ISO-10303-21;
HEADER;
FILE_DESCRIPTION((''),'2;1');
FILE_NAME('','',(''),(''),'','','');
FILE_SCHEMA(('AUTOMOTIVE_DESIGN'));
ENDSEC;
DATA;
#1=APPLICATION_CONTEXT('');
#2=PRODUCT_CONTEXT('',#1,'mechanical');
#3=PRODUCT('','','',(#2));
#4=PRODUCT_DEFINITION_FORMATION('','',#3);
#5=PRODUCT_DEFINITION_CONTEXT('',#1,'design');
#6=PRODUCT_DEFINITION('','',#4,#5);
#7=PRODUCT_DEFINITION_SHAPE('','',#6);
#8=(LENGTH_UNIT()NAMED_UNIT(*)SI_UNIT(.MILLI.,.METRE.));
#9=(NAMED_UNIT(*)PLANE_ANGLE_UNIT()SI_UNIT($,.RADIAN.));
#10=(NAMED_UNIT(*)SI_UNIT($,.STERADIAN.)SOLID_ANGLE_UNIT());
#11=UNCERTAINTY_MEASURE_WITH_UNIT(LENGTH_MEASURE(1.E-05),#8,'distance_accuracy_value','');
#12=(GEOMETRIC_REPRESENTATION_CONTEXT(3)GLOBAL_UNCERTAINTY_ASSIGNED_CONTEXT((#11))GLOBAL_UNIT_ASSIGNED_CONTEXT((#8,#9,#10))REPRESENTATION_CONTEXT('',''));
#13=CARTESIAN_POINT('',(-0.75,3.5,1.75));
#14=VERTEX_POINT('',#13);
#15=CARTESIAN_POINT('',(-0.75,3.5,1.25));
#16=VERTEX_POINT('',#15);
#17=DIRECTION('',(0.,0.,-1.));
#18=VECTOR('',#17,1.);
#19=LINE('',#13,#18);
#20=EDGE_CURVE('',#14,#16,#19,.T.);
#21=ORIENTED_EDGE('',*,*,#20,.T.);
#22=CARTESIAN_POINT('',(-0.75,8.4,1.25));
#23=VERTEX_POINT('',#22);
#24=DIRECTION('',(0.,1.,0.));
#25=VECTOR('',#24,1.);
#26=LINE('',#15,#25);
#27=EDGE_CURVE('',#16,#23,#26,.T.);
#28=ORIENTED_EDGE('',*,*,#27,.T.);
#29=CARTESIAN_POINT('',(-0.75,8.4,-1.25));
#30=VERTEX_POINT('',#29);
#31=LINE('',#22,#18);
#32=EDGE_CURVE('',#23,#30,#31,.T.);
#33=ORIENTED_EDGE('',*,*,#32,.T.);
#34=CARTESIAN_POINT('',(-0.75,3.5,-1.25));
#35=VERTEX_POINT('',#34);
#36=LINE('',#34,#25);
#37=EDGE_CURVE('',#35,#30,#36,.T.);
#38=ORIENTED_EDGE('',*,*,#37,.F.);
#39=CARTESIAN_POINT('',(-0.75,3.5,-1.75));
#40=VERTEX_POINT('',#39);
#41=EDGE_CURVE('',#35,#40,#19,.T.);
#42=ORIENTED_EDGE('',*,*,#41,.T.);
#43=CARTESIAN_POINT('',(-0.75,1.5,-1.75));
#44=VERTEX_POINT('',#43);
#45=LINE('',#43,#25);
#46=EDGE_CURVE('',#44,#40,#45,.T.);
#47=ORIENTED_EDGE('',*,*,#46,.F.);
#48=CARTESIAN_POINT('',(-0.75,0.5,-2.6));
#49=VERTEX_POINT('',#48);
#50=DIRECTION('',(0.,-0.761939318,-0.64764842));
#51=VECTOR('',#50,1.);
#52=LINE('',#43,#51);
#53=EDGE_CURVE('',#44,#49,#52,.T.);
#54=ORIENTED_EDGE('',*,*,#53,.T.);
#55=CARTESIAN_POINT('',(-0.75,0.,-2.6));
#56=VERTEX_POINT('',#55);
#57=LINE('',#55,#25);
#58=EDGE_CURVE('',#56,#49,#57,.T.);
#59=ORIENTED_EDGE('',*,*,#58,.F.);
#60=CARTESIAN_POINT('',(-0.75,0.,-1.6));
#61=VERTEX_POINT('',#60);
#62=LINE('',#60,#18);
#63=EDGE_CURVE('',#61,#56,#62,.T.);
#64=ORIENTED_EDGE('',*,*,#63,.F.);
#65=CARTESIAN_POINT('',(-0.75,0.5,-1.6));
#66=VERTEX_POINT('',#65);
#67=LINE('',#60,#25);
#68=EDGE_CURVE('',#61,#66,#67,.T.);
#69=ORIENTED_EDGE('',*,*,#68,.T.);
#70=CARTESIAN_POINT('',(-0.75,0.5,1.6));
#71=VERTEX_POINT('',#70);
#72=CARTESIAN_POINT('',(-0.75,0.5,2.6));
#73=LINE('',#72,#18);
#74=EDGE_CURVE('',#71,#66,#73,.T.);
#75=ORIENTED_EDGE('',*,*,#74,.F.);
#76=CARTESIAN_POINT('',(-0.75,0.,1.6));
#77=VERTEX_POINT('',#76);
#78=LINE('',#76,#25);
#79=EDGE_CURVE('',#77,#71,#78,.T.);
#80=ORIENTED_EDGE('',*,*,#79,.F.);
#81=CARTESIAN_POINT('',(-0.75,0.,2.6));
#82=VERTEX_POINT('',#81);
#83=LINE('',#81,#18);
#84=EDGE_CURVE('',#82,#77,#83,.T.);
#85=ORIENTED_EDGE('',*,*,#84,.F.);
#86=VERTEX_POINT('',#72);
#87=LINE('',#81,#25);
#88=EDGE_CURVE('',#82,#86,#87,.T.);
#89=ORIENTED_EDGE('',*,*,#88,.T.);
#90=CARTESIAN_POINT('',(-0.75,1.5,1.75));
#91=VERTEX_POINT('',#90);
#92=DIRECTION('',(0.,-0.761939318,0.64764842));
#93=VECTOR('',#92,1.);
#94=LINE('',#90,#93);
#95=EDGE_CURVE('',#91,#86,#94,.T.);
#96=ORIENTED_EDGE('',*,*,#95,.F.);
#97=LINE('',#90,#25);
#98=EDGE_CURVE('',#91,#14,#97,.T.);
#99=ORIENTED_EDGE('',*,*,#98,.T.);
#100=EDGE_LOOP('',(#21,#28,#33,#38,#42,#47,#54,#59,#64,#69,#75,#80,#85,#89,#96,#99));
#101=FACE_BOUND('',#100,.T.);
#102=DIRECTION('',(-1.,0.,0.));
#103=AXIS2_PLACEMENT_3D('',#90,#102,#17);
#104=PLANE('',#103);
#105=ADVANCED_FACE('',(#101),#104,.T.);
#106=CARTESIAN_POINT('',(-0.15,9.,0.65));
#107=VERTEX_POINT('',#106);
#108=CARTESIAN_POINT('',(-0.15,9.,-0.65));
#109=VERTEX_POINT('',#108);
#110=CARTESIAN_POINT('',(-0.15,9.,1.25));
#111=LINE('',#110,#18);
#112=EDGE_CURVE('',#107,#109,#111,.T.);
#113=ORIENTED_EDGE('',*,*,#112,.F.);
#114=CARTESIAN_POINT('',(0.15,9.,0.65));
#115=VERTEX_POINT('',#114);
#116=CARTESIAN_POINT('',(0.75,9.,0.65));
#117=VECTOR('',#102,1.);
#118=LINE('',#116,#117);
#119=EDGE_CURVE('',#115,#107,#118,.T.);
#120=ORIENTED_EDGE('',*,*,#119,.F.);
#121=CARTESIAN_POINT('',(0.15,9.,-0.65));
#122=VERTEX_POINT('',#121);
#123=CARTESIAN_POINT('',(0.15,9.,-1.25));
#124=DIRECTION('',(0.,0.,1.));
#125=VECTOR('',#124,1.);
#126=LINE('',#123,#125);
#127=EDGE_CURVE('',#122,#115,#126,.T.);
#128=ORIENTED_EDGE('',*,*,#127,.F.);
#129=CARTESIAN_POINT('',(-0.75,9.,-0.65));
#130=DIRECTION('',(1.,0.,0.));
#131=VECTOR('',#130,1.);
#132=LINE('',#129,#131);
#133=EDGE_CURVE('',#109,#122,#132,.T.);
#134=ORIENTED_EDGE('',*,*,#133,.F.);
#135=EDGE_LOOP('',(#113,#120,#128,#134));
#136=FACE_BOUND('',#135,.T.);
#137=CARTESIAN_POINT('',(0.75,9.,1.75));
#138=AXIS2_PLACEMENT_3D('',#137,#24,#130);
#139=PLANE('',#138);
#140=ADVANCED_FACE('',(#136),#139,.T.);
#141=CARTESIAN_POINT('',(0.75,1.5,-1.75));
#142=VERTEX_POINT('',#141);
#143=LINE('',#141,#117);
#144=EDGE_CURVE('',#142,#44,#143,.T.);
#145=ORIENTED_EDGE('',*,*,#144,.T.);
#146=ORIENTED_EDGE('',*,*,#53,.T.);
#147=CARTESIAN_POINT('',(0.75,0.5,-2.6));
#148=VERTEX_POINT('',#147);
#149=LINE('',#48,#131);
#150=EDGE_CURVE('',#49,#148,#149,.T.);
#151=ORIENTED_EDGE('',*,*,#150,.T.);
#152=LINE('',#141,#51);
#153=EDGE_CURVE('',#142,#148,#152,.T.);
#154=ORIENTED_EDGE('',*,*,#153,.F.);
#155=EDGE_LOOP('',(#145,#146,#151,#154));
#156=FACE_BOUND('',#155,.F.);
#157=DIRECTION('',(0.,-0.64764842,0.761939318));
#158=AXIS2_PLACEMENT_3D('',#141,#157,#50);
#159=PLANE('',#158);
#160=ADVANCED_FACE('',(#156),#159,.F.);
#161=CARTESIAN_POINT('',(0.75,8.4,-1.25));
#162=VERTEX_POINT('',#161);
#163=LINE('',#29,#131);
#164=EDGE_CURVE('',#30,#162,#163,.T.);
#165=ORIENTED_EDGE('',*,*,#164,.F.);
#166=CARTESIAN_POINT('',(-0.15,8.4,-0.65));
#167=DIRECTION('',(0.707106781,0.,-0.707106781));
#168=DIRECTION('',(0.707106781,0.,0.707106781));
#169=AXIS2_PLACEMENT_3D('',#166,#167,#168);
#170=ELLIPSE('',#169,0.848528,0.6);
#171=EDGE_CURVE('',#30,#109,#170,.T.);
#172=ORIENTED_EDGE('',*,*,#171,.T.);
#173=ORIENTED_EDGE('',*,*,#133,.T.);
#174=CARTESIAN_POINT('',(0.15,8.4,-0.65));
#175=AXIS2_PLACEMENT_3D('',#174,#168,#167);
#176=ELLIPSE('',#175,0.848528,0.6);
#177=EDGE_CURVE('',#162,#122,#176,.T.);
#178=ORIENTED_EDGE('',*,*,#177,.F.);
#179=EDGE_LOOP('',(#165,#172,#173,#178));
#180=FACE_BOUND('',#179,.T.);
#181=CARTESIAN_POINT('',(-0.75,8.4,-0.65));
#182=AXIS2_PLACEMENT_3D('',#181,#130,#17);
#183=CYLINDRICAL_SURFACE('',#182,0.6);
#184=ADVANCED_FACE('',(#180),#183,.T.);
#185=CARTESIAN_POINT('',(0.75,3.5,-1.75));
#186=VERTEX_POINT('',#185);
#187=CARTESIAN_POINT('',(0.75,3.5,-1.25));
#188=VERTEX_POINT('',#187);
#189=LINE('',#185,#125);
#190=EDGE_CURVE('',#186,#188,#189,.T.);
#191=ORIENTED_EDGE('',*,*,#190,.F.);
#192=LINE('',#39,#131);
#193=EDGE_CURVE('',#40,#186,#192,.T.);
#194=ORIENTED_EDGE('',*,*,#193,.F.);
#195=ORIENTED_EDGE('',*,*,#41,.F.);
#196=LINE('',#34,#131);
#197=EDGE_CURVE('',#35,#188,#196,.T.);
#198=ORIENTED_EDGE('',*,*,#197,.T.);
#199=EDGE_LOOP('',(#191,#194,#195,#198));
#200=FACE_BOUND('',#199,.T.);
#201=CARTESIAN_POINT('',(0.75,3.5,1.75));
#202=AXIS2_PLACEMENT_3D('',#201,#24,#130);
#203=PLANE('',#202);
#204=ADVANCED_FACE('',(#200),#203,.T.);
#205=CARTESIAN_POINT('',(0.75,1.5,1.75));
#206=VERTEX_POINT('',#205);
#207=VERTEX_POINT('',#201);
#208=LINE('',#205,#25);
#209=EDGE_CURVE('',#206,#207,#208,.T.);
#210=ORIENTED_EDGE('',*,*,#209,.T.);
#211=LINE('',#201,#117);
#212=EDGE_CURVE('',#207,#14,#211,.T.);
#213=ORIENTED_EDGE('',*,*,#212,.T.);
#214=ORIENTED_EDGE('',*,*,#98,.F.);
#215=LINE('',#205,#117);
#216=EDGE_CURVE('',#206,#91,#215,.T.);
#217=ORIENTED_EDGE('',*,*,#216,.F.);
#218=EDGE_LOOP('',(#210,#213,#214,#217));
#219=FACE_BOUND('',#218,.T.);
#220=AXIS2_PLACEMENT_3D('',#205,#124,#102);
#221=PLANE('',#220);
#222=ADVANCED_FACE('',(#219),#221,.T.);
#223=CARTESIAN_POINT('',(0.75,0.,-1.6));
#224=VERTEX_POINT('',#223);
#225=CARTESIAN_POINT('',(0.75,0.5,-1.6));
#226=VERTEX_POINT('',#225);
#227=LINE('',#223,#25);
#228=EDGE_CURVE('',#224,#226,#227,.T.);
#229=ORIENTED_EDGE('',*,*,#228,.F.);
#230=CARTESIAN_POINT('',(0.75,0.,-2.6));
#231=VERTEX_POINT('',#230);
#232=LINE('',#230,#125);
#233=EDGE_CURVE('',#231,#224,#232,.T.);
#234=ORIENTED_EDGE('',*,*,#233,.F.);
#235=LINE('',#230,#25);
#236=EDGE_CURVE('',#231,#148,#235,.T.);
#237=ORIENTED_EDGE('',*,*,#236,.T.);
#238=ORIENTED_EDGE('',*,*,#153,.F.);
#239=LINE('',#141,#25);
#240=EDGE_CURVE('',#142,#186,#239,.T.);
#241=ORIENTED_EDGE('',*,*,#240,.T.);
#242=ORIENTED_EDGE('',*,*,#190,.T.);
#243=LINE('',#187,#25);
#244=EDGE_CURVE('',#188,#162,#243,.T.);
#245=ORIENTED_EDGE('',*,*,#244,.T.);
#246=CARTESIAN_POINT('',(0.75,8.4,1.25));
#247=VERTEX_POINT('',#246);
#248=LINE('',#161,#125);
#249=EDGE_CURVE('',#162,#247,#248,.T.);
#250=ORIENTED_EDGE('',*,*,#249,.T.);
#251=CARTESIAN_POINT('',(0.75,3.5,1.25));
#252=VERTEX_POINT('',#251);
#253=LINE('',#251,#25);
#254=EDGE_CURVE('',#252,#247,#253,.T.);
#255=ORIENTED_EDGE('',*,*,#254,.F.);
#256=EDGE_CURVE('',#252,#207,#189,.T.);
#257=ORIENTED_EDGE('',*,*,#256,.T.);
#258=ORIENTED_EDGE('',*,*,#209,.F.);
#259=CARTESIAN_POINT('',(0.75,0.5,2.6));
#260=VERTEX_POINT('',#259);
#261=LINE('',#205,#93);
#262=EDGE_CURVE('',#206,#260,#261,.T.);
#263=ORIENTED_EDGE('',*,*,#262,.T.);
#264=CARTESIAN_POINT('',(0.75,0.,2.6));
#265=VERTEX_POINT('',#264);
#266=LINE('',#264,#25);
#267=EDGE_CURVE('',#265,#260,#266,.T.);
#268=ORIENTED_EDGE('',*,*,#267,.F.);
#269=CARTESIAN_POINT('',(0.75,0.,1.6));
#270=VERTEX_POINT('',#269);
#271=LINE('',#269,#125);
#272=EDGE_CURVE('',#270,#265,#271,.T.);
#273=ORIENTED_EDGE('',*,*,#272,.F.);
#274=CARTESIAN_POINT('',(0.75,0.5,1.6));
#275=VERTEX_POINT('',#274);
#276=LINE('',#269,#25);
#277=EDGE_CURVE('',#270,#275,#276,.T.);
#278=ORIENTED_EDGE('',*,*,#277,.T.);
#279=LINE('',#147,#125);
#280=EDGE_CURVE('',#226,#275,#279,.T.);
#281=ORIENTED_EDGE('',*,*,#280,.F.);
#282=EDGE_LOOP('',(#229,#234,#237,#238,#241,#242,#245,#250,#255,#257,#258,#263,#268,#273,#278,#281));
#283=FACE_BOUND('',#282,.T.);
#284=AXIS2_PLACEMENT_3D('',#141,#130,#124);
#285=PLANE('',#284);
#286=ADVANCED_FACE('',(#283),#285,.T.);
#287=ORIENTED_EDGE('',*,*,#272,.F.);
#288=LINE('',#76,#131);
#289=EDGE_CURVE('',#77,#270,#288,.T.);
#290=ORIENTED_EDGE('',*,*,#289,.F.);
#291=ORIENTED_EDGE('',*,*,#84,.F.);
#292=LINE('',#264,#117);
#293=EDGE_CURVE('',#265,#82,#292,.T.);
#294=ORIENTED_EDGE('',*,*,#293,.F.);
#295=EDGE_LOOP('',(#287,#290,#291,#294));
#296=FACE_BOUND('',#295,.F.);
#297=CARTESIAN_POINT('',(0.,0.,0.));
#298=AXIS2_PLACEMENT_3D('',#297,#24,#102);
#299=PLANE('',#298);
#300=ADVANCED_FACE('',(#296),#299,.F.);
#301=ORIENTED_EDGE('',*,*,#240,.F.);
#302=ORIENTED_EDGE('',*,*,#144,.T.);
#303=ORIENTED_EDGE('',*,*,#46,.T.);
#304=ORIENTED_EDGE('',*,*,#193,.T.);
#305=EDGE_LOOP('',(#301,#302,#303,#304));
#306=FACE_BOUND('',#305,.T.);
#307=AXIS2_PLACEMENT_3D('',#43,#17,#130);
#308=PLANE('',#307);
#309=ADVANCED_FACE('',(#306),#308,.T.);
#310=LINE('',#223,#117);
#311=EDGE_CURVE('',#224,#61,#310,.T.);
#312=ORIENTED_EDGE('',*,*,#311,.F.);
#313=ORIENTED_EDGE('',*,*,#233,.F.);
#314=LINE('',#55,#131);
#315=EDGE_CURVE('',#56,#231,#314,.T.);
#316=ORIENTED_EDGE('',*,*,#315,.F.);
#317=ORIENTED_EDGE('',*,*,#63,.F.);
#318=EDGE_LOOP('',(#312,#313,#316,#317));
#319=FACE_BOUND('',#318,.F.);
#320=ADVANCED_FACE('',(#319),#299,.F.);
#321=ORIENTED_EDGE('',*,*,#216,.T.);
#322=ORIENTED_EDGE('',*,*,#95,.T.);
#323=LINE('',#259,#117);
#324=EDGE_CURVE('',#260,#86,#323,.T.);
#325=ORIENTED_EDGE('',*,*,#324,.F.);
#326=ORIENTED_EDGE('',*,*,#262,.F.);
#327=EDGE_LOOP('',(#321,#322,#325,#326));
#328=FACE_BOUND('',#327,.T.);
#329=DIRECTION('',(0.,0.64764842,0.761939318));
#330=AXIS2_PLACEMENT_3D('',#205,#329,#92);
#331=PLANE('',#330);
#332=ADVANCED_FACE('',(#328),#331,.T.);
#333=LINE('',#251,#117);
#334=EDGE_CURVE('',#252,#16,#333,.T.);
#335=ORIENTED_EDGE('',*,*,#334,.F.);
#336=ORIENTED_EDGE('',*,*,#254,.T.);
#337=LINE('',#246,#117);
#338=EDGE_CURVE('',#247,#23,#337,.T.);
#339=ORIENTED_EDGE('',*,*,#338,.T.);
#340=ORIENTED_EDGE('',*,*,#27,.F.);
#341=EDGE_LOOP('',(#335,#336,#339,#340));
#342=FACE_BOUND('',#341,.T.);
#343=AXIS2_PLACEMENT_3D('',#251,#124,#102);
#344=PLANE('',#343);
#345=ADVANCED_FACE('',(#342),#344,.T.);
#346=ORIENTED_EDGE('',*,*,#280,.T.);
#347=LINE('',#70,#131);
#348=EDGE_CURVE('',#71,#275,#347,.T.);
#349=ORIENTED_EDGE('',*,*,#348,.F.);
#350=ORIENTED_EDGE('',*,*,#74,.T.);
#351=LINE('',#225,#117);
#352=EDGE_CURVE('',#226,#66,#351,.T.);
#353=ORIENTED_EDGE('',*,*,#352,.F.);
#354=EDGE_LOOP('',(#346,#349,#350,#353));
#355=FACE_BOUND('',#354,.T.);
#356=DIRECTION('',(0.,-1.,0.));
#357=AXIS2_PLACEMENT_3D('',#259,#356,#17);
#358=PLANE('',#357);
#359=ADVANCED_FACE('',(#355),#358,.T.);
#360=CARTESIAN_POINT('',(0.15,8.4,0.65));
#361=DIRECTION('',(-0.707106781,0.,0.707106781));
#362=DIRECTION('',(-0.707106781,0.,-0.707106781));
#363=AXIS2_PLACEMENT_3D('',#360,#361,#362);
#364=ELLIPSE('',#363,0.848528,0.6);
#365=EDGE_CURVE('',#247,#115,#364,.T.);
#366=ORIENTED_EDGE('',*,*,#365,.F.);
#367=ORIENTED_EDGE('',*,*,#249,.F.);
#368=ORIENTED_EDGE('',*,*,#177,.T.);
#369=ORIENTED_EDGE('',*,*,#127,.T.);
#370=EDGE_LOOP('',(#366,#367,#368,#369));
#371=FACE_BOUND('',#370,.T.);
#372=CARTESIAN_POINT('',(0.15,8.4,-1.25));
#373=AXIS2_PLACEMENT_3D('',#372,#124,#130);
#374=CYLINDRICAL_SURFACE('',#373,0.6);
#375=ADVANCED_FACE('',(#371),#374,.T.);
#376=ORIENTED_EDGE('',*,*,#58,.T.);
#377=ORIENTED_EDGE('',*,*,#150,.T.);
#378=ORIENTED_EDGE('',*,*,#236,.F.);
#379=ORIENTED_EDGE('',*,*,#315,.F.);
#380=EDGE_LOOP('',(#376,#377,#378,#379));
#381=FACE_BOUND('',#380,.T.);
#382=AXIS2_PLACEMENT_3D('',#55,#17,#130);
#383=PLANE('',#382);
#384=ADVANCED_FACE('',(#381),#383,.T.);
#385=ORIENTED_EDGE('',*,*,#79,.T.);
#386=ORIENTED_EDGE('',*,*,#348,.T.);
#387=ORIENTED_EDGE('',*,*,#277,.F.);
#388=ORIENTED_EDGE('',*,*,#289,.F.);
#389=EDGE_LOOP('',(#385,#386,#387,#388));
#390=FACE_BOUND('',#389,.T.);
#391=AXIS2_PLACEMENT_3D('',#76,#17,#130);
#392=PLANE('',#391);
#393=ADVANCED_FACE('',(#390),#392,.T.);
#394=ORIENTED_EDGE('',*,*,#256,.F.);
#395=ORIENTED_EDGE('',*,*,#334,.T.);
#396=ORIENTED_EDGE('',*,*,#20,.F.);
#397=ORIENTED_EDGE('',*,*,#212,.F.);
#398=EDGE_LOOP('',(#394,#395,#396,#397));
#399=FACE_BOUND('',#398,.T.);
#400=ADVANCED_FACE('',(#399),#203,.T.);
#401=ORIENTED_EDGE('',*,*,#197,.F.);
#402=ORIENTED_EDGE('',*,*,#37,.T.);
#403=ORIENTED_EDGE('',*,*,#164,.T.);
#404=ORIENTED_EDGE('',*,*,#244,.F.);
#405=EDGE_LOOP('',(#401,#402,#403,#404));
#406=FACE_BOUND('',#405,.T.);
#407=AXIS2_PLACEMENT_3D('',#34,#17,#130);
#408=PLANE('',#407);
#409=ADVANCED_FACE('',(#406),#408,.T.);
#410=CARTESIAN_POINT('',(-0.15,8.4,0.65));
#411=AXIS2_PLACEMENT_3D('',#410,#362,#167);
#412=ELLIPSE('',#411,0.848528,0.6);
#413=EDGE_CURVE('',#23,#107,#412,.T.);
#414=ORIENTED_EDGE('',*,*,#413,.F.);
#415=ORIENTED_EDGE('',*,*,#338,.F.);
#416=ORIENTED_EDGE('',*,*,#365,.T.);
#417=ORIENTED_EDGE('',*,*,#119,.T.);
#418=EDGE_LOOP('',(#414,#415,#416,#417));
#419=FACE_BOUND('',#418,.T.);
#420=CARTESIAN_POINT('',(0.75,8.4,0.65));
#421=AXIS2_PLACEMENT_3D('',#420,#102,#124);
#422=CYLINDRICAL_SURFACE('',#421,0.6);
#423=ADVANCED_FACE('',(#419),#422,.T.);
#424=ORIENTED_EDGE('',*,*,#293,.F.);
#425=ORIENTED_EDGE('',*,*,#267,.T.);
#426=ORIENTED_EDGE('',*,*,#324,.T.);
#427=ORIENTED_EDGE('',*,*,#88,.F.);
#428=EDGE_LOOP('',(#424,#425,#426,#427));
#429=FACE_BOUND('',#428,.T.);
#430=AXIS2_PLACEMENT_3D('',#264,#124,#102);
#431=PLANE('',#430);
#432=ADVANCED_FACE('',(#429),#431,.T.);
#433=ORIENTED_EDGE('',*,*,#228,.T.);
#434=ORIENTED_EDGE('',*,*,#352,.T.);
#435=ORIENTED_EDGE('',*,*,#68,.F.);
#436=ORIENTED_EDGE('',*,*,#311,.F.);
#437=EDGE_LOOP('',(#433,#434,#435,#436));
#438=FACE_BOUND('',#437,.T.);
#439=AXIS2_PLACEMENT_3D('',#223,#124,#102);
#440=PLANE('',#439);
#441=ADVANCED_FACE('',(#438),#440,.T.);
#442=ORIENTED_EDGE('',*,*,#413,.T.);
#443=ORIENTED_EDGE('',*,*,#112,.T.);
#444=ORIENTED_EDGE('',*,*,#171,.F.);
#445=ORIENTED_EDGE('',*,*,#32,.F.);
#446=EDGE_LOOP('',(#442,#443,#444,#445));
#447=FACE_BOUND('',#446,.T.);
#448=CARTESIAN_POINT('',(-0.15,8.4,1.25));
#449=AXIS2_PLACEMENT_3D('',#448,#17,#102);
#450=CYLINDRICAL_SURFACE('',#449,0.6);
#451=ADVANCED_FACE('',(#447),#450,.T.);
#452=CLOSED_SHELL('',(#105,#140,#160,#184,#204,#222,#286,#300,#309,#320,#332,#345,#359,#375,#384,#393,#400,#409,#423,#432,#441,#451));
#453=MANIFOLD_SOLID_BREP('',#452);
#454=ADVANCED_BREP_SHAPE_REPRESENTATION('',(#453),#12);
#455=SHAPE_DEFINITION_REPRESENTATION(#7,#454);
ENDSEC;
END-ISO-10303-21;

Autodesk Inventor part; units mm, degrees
ref_plane "YZ Plane" through (0, 0, 0) normal (1, 0, 0) x (0, 1, 0)
ref_plane "XZ Plane" through (0, 0, 0) normal (0, 1, 0) x (-1, 0, 0)
ref_plane "XY Plane" through (0, 0, 0) normal (0, 0, 1) x (1, 0, 0)
sketch "Sketch1" plane through (0, 0, 0) normal (0, 1, 0) x (-1, 0, 0)
  line L0 (-0.75, -1.6) -> (0.75, -1.6)
  line L1 (0.75, -1.6) -> (0.75, 1.6)
  line L2 (0.75, 1.6) -> (-0.75, 1.6)
  line L3 (-0.75, 1.6) -> (-0.75, -1.6)
  line L4 (-0.75, -1.6) -> (0.75, 1.6) construction
  line L5 (0.75, -1.6) -> (-0.75, 1.6) construction
  line L6 (0.75, 1.6) -> (-0.75, 1.6)
  line L7 (-0.75, 1.6) -> (-0.75, 2.6)
  line L8 (-0.75, 2.6) -> (0.75, 2.6)
  line L9 (0.75, 2.6) -> (0.75, 1.6)
  line L10 (-0.75, -1.6) -> (0.75, -1.6)
  line L11 (0.75, -1.6) -> (0.75, -2.6)
  line L12 (0.75, -2.6) -> (-0.75, -2.6)
  line L13 (-0.75, -2.6) -> (-0.75, -1.6)
  point P0 (0, 0)
  point P1 (0.75, -1.6)
  dimension "d0" = 3.2
  dimension "d1" = 1.5
  dimension "d2" = 1
  dimension "d3" = 1
extrude "Extrusion1" add sketch "Sketch1" along normal blind 0.5 contours L0 L11 L12 L13 | L7 L8 L9 L2
sketch "Sketch2" plane through (0.75, 0, 2.6) normal (1, 0, 0) x (0, 0, -1)
  line L0 (0, 0.5) -> (1, 0.5) projected
  line L1 (0.85, 0.5) -> (4.35, 0.5)
  line L2 (4.35, 0.5) -> (4.35, 1.5)
  line L3 (4.35, 1.5) -> (0.85, 1.5)
  line L4 (0.85, 1.5) -> (0.85, 0.5)
  line L5 (0.85, 1.5) -> (0, 0.5)
  line L6 (5.2, 0) -> (5.2, 0.5) projected
  line L7 (4.35, 1.5) -> (5.2, 0.5)
  line L8 (0, 0) -> (1, 0) construction
  line L9 (0, 0) -> (5.2, 0) construction
  line L10 (2.6, 0) -> (2.6, 2.5684) construction
  line L11 (0, 0.5) -> (5.2, 0.5)
  point P0 (2.6, 0.5)
  dimension "d10" = 3.5
  dimension "d19" = 1
extrude "Extrusion3" add sketch "Sketch2" against normal blind 1.5
sketch "Sketch5" plane through (0.75, 1.5, 1.75) normal (0, 1, 0) x (1, 0, 0)
  line L0 (-1.5, 0) -> (-1.5, 3.5) projected
  line L1 (0, 3.5) -> (0, 0) projected
  line L2 (-1.5, 3.5) -> (0, 3.5)
  line L3 (0, 3.5) -> (0, 0)
  line L4 (0, 0) -> (-1.5, 0)
  line L5 (-1.5, 0) -> (-1.5, 3.5)
  point P0 (-0.75, 1.75)
  point P1 (0, 3.5)
  point P2 (-1.5, 0)
extrude "Extrusion5" add sketch "Sketch5" along normal blind 2
sketch "Sketch6" plane through (0.75, 3.5, 1.75) normal (0, 1, 0) x (1, 0, 0)
  line L0 (-1.5, 3) -> (0, 3)
  line L1 (0, 3) -> (0, 0.5)
  line L2 (0, 0.5) -> (-1.5, 0.5)
  line L3 (-1.5, 0.5) -> (-1.5, 3)
  line L4 (0, 0) -> (0, 3.5) construction
  line L5 (0, 0) -> (0, 0.5) construction
  line L6 (-0.75, 3) -> (-0.75, 3.5) construction
  line L7 (0, 3.5) -> (-1.5, 3.5) construction
  line L8 (-0.75, 0.5) -> (-0.75, 0) construction
  point P0 (-0.75, 1.75)
  point P1 (-1.5, 1.75)
  point P2 (0, 1.75)
  dimension "d20" = 2.5
extrude "Extrusion6" add sketch "Sketch6" along normal blind 5.5
fillet "Fillet1" radius 0.6 4 edges at (0, 9, -1.25) (-0.75, 9, 0) (0, 9, 1.25) (0.75, 9, 0)
sketch "Sketch7" plane through (0, 0, 0) normal (0, -1, 0) x (1, 0, 0)
  line L0 (-0.75, 2.6) -> (0.75, 2.6) projected
  line L1 (-0.75, -2.6) -> (0.75, -2.6)
  line L2 (0.75, -2.6) -> (0.75, 2.6)
  line L3 (0.75, 2.6) -> (-0.75, 2.6)
  line L4 (-0.75, 2.6) -> (-0.75, -2.6)
  line L5 (-0.75, -2.6) -> (0.75, 2.6) construction
  line L6 (0.75, -2.6) -> (-0.75, 2.6) construction
  point P0 (0, 0)
sketch "Sketch8" plane through (0.75, 0.5, -2.6) normal (0, -1, 0) x (1, 0, 0)
  line L0 (-1.5, 5.2) -> (0, 5.2) projected
  line L1 (0, 4.35) -> (-1.5, 4.35) projected
  line L2 (0, 5.2) -> (-1.5, 5.2)
  line L3 (-1.5, 5.2) -> (-1.5, 4.35)
  line L4 (-1.5, 4.35) -> (0, 4.35)
  line L5 (0, 4.35) -> (0, 5.2)
  line L6 (0, 0) -> (-1.5, 0) projected
  line L7 (0, 0.85) -> (-1.5, 0.85) projected
  line L8 (0, 0) -> (-1.5, 0)
  line L9 (-1.5, 0) -> (-1.5, 0.85)
  line L10 (-1.5, 0.85) -> (0, 0.85)
  line L11 (0, 0.85) -> (0, 0)
  point P0 (-0.75, 2.6)
  point P1 (0, 0.85)
sketch "Sketch4" plane through (0.75, 1.5, 1.75) normal (0, 1, 0) x (1, 0, 0)
  line L0 (-1.5, 3) -> (0, 3)
  line L1 (0, 3) -> (0, 0.5)
  line L2 (0, 0.5) -> (-1.5, 0.5)
  line L3 (-1.5, 0.5) -> (-1.5, 3)
  line L4 (-1.5, 0) -> (-1.5, 3.5) projected
  line L5 (0, 3.5) -> (0, 0) projected
  line L6 (0, 3.5) -> (-1.5, 3.5) projected
  point P0 (-0.75, 1.75)
  point P1 (-1.5, 1.75)
  point P2 (0, 1.75)
  point P3 (-0.75, 3)
  dimension "d13" = 2.5
  dimension "d14" = 0.5
properties part number "LightPipe"
